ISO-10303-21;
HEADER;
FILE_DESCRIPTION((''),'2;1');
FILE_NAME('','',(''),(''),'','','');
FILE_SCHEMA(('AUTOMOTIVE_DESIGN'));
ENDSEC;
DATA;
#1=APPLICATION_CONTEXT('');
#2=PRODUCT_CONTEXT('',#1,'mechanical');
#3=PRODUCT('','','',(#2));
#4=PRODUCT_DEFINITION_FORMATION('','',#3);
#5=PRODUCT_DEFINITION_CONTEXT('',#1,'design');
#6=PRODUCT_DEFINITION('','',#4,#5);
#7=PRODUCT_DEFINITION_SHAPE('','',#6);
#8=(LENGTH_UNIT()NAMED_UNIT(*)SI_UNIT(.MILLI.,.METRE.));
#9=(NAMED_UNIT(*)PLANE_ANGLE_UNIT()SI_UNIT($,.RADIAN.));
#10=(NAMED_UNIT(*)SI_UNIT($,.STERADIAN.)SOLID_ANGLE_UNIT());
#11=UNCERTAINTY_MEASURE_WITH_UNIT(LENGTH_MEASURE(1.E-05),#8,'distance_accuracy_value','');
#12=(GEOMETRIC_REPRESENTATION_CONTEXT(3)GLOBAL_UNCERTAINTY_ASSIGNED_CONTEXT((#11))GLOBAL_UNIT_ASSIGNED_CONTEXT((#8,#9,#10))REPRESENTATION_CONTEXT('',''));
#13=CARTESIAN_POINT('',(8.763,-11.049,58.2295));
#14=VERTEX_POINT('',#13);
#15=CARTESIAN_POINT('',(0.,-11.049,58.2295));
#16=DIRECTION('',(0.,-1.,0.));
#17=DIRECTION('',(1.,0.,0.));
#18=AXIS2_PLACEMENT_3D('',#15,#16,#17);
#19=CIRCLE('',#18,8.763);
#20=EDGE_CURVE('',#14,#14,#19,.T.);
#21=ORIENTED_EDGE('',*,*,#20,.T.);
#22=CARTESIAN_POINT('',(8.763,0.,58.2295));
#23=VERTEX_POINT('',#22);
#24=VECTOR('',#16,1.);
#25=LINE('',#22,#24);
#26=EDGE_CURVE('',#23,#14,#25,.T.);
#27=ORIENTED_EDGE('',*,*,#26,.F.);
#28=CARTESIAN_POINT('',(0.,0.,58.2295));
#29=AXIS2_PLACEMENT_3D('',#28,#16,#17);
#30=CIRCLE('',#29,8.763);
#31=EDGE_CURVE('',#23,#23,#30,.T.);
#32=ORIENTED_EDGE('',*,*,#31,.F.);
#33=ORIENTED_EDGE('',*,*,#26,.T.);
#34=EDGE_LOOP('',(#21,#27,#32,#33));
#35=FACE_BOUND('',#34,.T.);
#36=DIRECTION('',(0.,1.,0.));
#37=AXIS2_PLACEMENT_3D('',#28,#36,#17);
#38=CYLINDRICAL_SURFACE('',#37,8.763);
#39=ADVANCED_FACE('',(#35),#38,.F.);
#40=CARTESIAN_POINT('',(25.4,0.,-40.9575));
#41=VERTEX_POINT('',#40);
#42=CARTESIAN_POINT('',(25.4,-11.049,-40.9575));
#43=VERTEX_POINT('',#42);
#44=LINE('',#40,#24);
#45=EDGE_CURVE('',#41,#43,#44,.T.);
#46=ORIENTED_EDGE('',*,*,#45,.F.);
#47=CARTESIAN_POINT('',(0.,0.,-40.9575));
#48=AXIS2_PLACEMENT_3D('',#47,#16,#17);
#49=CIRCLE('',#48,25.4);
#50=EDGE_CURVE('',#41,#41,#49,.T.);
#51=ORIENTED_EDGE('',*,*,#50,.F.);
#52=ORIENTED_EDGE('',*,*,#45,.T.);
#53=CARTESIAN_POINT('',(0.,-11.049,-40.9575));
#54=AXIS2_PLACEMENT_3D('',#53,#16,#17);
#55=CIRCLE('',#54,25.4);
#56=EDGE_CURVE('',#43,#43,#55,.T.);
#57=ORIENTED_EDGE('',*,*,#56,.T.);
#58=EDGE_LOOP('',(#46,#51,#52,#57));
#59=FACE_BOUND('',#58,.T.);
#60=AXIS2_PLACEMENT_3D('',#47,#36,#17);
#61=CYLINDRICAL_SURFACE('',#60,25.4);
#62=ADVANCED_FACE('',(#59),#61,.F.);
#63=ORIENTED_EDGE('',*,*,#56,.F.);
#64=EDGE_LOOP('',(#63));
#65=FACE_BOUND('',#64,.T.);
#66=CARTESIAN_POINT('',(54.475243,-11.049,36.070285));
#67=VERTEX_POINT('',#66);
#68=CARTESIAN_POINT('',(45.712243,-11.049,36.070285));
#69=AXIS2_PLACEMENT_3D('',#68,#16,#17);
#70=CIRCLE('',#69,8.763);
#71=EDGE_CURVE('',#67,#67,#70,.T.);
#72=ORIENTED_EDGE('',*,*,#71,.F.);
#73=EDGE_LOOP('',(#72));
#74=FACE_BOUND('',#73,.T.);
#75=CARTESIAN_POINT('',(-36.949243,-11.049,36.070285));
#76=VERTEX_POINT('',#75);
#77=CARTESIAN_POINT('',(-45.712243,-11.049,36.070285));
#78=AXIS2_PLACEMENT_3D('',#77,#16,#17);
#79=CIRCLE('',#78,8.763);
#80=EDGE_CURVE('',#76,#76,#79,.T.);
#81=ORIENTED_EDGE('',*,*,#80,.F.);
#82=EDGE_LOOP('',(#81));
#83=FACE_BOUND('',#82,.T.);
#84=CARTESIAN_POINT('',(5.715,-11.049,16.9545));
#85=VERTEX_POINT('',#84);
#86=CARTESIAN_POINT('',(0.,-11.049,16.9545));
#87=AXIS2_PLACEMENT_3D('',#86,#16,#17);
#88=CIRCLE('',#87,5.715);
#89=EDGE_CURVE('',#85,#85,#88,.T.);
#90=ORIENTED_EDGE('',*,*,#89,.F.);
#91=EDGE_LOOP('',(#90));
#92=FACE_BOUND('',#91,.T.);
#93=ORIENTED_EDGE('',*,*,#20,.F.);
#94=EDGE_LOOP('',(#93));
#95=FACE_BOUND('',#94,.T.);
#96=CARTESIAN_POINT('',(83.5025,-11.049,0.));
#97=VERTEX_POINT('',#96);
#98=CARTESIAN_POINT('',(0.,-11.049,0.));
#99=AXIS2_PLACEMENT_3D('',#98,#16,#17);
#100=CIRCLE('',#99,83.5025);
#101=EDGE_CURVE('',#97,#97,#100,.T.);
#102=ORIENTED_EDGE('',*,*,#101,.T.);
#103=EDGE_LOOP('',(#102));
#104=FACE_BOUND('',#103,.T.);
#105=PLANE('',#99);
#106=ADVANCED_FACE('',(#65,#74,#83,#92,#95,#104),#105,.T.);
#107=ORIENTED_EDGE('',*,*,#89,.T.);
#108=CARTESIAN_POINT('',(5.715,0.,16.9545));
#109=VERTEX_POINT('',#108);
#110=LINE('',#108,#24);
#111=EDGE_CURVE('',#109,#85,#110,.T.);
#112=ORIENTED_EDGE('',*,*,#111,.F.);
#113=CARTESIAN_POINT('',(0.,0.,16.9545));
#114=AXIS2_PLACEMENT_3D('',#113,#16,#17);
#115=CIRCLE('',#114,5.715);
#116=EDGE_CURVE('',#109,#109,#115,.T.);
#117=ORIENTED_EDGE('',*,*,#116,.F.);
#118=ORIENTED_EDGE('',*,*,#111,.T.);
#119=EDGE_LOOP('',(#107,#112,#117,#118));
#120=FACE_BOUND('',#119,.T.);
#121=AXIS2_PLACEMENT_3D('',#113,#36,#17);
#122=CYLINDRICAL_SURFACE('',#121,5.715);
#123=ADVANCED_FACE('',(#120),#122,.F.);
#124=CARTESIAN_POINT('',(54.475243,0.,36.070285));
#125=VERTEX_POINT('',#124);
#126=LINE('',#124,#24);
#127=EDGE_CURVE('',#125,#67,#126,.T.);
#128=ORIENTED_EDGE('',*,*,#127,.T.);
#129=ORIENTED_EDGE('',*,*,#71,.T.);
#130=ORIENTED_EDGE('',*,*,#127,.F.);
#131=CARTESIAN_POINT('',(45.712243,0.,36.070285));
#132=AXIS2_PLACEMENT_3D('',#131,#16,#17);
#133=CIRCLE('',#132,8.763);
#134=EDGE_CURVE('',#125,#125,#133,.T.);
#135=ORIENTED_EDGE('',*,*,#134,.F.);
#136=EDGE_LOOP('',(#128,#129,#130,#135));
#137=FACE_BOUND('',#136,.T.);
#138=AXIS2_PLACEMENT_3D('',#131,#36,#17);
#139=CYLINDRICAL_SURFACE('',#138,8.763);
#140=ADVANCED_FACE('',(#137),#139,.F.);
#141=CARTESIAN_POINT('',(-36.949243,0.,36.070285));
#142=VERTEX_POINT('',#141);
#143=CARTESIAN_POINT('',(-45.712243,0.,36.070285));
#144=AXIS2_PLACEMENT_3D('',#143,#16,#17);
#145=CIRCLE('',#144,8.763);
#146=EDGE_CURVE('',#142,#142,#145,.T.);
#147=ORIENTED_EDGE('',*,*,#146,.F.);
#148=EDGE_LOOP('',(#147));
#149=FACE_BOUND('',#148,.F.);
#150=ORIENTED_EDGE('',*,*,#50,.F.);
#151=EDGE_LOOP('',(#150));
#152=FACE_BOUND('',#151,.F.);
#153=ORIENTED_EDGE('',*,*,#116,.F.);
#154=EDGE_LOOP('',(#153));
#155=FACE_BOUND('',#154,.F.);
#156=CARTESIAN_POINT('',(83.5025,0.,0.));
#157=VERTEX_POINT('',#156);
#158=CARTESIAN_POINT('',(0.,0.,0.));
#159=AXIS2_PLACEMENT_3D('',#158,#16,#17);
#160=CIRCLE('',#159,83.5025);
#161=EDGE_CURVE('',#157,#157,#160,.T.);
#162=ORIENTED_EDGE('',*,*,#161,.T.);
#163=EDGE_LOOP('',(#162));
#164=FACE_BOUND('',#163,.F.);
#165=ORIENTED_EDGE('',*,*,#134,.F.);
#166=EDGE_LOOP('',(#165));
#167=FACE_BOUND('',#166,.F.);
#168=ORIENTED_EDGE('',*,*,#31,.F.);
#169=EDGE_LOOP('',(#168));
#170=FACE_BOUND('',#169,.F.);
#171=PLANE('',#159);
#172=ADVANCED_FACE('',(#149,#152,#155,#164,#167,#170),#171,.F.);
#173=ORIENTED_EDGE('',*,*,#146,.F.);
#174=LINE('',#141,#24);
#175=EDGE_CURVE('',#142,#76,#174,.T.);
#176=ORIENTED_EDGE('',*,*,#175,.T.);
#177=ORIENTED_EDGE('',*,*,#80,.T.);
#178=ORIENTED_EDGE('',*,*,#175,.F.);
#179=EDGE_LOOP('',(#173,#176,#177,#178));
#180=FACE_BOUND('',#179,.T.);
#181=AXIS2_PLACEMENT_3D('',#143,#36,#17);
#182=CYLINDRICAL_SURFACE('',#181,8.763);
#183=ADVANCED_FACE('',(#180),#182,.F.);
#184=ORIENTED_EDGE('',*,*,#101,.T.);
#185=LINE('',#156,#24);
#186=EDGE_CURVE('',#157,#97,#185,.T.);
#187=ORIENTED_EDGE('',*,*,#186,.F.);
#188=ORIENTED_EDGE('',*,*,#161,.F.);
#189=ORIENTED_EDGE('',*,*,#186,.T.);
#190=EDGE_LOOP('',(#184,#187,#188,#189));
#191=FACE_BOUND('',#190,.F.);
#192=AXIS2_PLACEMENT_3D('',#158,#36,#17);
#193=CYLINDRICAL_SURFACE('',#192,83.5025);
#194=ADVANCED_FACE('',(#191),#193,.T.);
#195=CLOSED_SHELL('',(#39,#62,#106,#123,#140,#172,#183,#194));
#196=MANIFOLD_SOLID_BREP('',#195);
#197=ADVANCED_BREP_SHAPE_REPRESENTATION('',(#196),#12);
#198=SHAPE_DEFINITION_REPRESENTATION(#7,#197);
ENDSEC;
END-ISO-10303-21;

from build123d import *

# Parameters (mm, degrees)
F0_R     = 83.5025
F0_R_2   = 25.4
F0_R_3   = 8.763
F0_R_4   = 5.715
F1_DEPTH = 11.049


with BuildPart() as f1:
    # F0 (on Front) → F1 (new body)
    with BuildSketch(Plane.XZ):
        Circle(F0_R)
        with Locations((0, -40.9575)):
            Circle(F0_R_2, mode=Mode.SUBTRACT)
        with Locations((-45.712243, 36.070285)):
            Circle(F0_R_3, mode=Mode.SUBTRACT)
        with Locations((0, 16.9545)):
            Circle(F0_R_4, mode=Mode.SUBTRACT)
        with Locations((45.712243, 36.070285)):
            Circle(F0_R_3, mode=Mode.SUBTRACT)
        with Locations((0, 58.2295)):
            Circle(F0_R_3, mode=Mode.SUBTRACT)
    extrude(amount=F1_DEPTH)


solid = f1.part
